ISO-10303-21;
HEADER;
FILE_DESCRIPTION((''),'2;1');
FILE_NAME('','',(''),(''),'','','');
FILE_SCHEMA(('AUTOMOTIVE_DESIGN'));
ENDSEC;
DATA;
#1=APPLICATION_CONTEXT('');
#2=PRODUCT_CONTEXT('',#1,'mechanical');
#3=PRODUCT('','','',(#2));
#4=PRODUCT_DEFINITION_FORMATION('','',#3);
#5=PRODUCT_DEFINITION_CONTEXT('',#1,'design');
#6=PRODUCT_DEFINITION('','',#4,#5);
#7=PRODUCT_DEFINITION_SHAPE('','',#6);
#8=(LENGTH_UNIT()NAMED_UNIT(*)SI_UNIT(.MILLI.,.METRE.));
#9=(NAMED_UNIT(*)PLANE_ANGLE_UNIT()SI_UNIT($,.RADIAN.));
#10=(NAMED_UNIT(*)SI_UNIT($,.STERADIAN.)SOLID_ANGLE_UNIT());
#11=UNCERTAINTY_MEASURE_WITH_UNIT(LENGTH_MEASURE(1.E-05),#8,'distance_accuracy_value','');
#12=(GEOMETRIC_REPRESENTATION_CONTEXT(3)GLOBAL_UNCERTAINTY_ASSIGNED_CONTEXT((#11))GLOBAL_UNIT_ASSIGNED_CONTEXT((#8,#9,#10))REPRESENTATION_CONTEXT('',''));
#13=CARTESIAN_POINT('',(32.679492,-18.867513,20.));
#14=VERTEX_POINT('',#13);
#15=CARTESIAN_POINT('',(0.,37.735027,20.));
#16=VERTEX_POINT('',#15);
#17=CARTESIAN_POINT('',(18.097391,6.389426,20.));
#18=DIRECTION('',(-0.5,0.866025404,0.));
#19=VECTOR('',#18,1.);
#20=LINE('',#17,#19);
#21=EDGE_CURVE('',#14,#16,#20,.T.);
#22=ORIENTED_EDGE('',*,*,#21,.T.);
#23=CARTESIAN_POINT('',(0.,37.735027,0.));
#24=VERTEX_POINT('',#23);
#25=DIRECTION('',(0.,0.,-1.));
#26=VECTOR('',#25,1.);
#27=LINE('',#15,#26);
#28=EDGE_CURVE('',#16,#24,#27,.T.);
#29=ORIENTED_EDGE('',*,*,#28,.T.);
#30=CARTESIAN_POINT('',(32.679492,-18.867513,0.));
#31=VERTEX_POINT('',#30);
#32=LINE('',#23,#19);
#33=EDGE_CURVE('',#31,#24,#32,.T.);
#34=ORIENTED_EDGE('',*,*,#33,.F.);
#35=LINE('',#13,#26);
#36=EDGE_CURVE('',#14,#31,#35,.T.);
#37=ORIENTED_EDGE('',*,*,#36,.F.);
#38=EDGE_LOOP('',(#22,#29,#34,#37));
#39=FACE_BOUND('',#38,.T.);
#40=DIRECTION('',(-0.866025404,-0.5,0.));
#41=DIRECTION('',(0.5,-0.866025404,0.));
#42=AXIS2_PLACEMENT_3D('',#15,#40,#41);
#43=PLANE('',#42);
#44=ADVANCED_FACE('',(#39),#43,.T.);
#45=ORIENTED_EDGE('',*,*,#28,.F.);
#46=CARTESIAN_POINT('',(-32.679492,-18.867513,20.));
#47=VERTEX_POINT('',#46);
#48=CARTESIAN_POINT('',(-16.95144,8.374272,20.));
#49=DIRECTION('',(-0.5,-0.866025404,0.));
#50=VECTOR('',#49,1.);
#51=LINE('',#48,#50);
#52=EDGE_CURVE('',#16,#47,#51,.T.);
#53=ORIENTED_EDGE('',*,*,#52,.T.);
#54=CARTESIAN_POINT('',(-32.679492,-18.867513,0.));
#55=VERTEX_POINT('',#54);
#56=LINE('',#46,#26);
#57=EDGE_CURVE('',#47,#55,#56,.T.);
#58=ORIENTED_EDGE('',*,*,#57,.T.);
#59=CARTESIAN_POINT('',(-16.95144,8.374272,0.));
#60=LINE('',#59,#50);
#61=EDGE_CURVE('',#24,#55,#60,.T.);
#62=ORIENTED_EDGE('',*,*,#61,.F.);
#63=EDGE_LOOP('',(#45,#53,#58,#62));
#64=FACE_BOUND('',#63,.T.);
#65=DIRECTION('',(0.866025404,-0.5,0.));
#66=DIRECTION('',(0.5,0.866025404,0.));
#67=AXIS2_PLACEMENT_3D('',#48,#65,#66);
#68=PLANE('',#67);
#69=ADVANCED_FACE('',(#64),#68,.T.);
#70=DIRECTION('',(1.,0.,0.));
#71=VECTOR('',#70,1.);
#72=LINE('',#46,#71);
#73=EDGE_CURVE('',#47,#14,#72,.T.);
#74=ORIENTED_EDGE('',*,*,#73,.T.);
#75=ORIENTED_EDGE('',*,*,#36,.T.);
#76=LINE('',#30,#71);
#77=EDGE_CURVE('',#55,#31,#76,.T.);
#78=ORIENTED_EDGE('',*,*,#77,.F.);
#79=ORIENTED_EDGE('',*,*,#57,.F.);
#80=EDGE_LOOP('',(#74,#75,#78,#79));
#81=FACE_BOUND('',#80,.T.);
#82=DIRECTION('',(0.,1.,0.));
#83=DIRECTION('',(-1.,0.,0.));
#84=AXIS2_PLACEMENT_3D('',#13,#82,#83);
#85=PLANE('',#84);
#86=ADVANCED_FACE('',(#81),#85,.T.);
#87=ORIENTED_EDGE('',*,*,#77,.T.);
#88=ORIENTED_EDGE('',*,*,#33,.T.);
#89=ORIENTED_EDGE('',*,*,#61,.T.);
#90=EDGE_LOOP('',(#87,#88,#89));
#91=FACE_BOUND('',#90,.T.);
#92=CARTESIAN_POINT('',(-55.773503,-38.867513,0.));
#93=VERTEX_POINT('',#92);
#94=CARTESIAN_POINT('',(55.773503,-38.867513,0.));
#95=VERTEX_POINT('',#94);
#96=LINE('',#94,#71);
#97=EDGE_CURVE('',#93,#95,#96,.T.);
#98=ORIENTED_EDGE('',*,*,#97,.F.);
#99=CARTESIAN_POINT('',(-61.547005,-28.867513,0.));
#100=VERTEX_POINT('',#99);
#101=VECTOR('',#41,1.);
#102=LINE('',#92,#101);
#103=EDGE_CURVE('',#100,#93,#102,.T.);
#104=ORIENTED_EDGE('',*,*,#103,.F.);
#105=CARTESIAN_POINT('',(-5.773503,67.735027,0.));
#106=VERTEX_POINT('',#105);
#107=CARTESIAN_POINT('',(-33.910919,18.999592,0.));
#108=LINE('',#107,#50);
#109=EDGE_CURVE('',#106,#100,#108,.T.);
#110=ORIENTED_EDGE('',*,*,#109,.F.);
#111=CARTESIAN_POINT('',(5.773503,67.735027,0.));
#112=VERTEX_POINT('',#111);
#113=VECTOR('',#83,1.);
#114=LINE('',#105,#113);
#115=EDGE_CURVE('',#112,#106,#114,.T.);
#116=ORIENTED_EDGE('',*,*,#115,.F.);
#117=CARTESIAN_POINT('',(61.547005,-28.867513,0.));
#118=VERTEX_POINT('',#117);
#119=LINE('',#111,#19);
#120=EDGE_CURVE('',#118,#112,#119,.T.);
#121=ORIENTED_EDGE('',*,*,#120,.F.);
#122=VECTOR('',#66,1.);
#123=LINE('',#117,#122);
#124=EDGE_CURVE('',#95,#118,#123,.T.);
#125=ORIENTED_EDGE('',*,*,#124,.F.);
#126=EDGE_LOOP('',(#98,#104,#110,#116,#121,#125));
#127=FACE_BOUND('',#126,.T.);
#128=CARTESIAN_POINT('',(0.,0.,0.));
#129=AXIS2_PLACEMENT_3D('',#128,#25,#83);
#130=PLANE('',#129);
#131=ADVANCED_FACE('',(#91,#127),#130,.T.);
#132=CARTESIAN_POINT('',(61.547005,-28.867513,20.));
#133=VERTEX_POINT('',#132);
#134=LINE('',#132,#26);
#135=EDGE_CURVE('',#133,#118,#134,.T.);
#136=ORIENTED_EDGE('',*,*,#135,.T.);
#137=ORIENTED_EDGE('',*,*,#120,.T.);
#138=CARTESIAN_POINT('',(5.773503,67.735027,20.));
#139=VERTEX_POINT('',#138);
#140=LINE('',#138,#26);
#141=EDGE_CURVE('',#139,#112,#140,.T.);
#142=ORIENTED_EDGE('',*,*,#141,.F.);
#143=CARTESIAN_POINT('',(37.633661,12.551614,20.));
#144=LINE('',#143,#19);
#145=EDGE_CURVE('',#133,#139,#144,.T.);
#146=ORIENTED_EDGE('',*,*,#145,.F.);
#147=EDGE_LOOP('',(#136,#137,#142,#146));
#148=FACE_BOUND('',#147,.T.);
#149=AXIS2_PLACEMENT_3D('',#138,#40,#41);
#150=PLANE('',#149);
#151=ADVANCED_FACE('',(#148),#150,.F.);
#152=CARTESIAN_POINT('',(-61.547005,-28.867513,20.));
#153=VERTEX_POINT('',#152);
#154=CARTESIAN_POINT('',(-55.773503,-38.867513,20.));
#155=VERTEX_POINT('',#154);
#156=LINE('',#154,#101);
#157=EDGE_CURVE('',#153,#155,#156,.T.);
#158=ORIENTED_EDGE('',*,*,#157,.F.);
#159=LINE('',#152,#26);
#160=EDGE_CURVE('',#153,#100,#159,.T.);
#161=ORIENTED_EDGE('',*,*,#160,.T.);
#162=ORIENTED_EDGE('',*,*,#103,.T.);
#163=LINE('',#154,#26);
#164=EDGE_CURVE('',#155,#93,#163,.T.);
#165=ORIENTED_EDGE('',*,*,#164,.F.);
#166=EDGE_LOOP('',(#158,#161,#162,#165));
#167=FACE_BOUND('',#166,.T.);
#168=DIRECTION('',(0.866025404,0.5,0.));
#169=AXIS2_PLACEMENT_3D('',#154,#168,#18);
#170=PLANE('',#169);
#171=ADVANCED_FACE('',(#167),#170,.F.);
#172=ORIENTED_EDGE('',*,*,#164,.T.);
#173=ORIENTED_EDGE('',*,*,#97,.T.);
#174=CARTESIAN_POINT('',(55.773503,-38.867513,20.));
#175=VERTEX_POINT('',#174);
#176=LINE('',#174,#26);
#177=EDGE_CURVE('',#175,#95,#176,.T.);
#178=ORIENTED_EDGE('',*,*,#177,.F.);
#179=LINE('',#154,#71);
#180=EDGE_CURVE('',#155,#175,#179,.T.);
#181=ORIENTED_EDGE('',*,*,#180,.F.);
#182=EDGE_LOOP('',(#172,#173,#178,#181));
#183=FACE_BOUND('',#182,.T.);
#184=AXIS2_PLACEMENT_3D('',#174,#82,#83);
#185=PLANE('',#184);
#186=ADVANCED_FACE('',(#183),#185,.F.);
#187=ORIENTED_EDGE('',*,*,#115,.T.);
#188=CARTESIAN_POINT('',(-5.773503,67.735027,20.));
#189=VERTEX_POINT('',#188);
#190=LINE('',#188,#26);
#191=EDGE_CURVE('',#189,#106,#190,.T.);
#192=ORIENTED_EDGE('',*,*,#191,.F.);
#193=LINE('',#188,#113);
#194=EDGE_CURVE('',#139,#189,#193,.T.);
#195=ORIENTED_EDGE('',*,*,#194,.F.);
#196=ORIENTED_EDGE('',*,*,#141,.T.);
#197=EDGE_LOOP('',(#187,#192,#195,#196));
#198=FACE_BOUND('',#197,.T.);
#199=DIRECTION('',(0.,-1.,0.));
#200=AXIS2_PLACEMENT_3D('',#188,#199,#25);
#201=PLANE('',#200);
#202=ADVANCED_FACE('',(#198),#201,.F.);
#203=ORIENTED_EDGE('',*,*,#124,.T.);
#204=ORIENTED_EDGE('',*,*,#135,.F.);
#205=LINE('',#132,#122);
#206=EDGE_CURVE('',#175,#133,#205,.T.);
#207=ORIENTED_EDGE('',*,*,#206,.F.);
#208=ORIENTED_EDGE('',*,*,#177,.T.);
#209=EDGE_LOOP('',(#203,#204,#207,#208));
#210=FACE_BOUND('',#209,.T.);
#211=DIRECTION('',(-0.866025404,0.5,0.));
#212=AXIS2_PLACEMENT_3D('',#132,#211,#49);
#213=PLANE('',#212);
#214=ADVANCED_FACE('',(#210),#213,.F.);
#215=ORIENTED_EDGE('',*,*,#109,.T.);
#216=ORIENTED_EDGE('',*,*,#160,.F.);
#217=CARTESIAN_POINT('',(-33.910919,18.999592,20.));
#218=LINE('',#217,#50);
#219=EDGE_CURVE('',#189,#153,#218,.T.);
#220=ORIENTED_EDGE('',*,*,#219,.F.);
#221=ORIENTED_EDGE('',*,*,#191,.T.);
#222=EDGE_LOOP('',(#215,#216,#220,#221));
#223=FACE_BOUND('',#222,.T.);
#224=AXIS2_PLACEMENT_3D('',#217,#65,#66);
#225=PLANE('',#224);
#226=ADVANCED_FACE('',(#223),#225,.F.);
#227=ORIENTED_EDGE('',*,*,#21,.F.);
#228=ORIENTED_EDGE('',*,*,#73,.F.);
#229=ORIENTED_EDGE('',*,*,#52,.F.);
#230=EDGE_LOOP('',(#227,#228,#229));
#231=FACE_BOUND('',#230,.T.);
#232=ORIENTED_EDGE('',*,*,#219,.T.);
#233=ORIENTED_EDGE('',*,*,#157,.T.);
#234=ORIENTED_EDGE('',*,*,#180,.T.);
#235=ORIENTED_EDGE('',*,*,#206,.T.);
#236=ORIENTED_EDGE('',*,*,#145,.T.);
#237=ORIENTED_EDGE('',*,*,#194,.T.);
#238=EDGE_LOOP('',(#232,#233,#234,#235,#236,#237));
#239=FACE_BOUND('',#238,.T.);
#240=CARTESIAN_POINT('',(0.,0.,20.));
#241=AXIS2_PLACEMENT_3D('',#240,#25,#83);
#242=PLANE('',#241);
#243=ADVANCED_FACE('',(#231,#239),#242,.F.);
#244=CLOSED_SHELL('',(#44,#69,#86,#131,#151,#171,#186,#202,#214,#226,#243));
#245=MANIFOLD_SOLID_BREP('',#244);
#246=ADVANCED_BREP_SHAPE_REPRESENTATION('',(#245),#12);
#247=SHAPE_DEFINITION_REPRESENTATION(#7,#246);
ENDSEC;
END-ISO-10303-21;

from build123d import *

# Parameters (mm, degrees)
EXTRUDE_4_DEPTH = 20


with BuildPart() as part:
    # 草图7 → 凸台-拉伸4 (new body)
    with BuildSketch(Plane.XY):
        Polygon((-33.910919067, 18.999592163), (-61.547005384, -28.867513459), (-55.773502692, -38.867513459), (1.462534319, -38.867513459), (55.773502692, -38.867513459), (61.547005384, -28.867513459), (37.633660722, 12.551614473), (5.773502692, 67.735026919), (-5.773502692, 67.735026919), align=None)
        Polygon((-16.951439693, 8.374272109), (0, 37.735026919), (18.097391255, 6.389425782), (32.679491924, -18.867513459), (0.821995205, -18.867513459), (-32.679491924, -18.867513459), align=None, mode=Mode.SUBTRACT)
    extrude(amount=EXTRUDE_4_DEPTH)


solid = part.part
